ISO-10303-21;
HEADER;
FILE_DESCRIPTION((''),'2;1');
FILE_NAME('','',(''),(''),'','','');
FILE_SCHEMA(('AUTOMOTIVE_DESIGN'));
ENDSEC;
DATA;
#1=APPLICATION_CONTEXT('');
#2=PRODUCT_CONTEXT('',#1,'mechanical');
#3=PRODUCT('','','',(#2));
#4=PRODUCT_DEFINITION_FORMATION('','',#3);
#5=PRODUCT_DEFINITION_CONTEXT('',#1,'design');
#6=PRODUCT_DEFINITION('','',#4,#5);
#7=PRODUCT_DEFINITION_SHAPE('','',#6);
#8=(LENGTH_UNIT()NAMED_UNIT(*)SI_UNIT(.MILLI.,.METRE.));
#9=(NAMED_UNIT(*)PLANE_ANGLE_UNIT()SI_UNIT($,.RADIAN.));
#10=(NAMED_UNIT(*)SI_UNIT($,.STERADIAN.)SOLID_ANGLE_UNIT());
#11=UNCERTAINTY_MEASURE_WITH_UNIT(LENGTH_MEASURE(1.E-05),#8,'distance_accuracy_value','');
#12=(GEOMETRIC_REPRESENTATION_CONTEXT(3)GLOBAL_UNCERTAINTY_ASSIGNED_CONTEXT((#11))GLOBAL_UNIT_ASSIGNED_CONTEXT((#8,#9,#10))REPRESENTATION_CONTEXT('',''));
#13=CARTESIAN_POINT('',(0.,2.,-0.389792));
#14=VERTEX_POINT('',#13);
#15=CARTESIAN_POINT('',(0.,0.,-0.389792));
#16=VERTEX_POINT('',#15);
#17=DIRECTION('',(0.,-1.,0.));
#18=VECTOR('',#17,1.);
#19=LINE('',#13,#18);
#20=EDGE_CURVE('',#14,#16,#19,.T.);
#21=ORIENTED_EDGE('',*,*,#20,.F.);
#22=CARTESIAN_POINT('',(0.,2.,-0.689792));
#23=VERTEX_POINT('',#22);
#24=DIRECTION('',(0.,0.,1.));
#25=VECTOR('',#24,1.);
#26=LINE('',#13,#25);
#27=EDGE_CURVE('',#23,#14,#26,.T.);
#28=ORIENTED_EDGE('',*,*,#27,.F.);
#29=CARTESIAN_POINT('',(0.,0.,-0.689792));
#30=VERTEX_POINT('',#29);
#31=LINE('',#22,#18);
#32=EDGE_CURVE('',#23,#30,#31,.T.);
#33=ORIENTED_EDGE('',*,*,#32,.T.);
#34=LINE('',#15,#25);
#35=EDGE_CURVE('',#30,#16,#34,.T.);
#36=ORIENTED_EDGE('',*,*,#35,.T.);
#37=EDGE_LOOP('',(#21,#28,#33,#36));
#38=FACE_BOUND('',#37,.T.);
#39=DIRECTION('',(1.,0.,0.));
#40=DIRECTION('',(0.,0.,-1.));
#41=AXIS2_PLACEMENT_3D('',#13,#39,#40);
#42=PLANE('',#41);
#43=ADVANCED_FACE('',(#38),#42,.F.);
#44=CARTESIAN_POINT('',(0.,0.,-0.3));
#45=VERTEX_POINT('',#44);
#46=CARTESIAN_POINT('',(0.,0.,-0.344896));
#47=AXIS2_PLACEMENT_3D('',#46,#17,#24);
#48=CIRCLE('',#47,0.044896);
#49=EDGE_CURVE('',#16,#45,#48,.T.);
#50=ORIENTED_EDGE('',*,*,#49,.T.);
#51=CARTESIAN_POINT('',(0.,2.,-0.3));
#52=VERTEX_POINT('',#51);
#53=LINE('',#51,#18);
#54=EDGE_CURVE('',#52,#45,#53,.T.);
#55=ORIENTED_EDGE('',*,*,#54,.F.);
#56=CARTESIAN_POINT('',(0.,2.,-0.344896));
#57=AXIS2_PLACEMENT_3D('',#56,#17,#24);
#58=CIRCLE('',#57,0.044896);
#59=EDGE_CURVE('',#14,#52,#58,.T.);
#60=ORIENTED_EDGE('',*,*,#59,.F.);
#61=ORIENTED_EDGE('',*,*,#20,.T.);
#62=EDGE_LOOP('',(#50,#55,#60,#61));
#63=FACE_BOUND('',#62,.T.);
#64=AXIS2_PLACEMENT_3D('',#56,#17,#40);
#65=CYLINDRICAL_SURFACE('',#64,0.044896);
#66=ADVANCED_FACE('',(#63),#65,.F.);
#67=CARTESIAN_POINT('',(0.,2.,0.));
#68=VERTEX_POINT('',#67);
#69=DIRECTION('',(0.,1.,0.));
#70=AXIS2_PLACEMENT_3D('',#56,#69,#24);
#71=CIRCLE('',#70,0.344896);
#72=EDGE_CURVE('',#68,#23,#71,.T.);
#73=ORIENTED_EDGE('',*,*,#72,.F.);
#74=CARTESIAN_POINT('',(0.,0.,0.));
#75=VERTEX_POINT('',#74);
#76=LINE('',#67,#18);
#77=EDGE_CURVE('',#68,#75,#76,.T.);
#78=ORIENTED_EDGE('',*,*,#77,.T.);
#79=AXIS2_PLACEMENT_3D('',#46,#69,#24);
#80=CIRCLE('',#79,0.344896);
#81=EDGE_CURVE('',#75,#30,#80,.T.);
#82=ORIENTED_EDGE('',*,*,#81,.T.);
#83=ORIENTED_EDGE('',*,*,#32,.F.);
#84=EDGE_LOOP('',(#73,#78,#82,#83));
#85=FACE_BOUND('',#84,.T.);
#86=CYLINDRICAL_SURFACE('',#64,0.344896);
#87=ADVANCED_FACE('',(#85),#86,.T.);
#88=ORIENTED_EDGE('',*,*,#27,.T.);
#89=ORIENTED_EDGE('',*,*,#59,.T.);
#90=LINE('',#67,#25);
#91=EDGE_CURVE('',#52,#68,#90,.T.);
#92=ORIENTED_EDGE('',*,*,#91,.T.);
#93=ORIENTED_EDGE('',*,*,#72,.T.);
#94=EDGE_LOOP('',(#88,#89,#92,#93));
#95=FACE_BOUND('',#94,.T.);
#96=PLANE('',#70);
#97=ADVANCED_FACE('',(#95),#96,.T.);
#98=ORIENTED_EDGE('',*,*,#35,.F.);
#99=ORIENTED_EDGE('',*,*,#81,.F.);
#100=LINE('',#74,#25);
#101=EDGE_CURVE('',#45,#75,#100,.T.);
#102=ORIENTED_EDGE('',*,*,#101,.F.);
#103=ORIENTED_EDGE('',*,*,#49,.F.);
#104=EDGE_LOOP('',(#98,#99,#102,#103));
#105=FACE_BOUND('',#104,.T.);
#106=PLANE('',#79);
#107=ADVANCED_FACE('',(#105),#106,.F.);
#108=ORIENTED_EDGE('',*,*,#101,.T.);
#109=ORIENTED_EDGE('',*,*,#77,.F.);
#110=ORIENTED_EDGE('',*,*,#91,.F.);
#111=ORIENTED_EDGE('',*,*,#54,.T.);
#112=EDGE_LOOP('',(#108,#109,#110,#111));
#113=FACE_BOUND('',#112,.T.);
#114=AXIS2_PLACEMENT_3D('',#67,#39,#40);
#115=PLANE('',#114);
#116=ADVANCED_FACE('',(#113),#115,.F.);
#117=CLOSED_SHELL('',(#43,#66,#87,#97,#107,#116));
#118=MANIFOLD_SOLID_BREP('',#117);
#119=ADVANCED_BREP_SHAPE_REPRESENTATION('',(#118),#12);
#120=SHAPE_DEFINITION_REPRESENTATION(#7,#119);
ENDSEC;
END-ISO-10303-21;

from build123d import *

# Parameters (mm, degrees)
BOSS_EXTRUDE1_DEPTH = 2


with BuildPart() as part:
    # Sketch1 → Boss-Extrude1 (new body)
    with BuildSketch(Plane(origin=(0, 0, 0), x_dir=(1, 0, 0), z_dir=(0, 1, 0))):
        with BuildLine():
            Line((0, 0), (0, 0.3))
            ThreePointArc((0, 0.3), (0.044895788, 0.344895788), (0, 0.389791576))
            Line((0, 0.389791576), (0, 0.689791576))
            ThreePointArc((0, 0.689791576), (0.344895788, 0.344895788), (0, 0))
        make_face()
    extrude(amount=BOSS_EXTRUDE1_DEPTH)


solid = part.part
